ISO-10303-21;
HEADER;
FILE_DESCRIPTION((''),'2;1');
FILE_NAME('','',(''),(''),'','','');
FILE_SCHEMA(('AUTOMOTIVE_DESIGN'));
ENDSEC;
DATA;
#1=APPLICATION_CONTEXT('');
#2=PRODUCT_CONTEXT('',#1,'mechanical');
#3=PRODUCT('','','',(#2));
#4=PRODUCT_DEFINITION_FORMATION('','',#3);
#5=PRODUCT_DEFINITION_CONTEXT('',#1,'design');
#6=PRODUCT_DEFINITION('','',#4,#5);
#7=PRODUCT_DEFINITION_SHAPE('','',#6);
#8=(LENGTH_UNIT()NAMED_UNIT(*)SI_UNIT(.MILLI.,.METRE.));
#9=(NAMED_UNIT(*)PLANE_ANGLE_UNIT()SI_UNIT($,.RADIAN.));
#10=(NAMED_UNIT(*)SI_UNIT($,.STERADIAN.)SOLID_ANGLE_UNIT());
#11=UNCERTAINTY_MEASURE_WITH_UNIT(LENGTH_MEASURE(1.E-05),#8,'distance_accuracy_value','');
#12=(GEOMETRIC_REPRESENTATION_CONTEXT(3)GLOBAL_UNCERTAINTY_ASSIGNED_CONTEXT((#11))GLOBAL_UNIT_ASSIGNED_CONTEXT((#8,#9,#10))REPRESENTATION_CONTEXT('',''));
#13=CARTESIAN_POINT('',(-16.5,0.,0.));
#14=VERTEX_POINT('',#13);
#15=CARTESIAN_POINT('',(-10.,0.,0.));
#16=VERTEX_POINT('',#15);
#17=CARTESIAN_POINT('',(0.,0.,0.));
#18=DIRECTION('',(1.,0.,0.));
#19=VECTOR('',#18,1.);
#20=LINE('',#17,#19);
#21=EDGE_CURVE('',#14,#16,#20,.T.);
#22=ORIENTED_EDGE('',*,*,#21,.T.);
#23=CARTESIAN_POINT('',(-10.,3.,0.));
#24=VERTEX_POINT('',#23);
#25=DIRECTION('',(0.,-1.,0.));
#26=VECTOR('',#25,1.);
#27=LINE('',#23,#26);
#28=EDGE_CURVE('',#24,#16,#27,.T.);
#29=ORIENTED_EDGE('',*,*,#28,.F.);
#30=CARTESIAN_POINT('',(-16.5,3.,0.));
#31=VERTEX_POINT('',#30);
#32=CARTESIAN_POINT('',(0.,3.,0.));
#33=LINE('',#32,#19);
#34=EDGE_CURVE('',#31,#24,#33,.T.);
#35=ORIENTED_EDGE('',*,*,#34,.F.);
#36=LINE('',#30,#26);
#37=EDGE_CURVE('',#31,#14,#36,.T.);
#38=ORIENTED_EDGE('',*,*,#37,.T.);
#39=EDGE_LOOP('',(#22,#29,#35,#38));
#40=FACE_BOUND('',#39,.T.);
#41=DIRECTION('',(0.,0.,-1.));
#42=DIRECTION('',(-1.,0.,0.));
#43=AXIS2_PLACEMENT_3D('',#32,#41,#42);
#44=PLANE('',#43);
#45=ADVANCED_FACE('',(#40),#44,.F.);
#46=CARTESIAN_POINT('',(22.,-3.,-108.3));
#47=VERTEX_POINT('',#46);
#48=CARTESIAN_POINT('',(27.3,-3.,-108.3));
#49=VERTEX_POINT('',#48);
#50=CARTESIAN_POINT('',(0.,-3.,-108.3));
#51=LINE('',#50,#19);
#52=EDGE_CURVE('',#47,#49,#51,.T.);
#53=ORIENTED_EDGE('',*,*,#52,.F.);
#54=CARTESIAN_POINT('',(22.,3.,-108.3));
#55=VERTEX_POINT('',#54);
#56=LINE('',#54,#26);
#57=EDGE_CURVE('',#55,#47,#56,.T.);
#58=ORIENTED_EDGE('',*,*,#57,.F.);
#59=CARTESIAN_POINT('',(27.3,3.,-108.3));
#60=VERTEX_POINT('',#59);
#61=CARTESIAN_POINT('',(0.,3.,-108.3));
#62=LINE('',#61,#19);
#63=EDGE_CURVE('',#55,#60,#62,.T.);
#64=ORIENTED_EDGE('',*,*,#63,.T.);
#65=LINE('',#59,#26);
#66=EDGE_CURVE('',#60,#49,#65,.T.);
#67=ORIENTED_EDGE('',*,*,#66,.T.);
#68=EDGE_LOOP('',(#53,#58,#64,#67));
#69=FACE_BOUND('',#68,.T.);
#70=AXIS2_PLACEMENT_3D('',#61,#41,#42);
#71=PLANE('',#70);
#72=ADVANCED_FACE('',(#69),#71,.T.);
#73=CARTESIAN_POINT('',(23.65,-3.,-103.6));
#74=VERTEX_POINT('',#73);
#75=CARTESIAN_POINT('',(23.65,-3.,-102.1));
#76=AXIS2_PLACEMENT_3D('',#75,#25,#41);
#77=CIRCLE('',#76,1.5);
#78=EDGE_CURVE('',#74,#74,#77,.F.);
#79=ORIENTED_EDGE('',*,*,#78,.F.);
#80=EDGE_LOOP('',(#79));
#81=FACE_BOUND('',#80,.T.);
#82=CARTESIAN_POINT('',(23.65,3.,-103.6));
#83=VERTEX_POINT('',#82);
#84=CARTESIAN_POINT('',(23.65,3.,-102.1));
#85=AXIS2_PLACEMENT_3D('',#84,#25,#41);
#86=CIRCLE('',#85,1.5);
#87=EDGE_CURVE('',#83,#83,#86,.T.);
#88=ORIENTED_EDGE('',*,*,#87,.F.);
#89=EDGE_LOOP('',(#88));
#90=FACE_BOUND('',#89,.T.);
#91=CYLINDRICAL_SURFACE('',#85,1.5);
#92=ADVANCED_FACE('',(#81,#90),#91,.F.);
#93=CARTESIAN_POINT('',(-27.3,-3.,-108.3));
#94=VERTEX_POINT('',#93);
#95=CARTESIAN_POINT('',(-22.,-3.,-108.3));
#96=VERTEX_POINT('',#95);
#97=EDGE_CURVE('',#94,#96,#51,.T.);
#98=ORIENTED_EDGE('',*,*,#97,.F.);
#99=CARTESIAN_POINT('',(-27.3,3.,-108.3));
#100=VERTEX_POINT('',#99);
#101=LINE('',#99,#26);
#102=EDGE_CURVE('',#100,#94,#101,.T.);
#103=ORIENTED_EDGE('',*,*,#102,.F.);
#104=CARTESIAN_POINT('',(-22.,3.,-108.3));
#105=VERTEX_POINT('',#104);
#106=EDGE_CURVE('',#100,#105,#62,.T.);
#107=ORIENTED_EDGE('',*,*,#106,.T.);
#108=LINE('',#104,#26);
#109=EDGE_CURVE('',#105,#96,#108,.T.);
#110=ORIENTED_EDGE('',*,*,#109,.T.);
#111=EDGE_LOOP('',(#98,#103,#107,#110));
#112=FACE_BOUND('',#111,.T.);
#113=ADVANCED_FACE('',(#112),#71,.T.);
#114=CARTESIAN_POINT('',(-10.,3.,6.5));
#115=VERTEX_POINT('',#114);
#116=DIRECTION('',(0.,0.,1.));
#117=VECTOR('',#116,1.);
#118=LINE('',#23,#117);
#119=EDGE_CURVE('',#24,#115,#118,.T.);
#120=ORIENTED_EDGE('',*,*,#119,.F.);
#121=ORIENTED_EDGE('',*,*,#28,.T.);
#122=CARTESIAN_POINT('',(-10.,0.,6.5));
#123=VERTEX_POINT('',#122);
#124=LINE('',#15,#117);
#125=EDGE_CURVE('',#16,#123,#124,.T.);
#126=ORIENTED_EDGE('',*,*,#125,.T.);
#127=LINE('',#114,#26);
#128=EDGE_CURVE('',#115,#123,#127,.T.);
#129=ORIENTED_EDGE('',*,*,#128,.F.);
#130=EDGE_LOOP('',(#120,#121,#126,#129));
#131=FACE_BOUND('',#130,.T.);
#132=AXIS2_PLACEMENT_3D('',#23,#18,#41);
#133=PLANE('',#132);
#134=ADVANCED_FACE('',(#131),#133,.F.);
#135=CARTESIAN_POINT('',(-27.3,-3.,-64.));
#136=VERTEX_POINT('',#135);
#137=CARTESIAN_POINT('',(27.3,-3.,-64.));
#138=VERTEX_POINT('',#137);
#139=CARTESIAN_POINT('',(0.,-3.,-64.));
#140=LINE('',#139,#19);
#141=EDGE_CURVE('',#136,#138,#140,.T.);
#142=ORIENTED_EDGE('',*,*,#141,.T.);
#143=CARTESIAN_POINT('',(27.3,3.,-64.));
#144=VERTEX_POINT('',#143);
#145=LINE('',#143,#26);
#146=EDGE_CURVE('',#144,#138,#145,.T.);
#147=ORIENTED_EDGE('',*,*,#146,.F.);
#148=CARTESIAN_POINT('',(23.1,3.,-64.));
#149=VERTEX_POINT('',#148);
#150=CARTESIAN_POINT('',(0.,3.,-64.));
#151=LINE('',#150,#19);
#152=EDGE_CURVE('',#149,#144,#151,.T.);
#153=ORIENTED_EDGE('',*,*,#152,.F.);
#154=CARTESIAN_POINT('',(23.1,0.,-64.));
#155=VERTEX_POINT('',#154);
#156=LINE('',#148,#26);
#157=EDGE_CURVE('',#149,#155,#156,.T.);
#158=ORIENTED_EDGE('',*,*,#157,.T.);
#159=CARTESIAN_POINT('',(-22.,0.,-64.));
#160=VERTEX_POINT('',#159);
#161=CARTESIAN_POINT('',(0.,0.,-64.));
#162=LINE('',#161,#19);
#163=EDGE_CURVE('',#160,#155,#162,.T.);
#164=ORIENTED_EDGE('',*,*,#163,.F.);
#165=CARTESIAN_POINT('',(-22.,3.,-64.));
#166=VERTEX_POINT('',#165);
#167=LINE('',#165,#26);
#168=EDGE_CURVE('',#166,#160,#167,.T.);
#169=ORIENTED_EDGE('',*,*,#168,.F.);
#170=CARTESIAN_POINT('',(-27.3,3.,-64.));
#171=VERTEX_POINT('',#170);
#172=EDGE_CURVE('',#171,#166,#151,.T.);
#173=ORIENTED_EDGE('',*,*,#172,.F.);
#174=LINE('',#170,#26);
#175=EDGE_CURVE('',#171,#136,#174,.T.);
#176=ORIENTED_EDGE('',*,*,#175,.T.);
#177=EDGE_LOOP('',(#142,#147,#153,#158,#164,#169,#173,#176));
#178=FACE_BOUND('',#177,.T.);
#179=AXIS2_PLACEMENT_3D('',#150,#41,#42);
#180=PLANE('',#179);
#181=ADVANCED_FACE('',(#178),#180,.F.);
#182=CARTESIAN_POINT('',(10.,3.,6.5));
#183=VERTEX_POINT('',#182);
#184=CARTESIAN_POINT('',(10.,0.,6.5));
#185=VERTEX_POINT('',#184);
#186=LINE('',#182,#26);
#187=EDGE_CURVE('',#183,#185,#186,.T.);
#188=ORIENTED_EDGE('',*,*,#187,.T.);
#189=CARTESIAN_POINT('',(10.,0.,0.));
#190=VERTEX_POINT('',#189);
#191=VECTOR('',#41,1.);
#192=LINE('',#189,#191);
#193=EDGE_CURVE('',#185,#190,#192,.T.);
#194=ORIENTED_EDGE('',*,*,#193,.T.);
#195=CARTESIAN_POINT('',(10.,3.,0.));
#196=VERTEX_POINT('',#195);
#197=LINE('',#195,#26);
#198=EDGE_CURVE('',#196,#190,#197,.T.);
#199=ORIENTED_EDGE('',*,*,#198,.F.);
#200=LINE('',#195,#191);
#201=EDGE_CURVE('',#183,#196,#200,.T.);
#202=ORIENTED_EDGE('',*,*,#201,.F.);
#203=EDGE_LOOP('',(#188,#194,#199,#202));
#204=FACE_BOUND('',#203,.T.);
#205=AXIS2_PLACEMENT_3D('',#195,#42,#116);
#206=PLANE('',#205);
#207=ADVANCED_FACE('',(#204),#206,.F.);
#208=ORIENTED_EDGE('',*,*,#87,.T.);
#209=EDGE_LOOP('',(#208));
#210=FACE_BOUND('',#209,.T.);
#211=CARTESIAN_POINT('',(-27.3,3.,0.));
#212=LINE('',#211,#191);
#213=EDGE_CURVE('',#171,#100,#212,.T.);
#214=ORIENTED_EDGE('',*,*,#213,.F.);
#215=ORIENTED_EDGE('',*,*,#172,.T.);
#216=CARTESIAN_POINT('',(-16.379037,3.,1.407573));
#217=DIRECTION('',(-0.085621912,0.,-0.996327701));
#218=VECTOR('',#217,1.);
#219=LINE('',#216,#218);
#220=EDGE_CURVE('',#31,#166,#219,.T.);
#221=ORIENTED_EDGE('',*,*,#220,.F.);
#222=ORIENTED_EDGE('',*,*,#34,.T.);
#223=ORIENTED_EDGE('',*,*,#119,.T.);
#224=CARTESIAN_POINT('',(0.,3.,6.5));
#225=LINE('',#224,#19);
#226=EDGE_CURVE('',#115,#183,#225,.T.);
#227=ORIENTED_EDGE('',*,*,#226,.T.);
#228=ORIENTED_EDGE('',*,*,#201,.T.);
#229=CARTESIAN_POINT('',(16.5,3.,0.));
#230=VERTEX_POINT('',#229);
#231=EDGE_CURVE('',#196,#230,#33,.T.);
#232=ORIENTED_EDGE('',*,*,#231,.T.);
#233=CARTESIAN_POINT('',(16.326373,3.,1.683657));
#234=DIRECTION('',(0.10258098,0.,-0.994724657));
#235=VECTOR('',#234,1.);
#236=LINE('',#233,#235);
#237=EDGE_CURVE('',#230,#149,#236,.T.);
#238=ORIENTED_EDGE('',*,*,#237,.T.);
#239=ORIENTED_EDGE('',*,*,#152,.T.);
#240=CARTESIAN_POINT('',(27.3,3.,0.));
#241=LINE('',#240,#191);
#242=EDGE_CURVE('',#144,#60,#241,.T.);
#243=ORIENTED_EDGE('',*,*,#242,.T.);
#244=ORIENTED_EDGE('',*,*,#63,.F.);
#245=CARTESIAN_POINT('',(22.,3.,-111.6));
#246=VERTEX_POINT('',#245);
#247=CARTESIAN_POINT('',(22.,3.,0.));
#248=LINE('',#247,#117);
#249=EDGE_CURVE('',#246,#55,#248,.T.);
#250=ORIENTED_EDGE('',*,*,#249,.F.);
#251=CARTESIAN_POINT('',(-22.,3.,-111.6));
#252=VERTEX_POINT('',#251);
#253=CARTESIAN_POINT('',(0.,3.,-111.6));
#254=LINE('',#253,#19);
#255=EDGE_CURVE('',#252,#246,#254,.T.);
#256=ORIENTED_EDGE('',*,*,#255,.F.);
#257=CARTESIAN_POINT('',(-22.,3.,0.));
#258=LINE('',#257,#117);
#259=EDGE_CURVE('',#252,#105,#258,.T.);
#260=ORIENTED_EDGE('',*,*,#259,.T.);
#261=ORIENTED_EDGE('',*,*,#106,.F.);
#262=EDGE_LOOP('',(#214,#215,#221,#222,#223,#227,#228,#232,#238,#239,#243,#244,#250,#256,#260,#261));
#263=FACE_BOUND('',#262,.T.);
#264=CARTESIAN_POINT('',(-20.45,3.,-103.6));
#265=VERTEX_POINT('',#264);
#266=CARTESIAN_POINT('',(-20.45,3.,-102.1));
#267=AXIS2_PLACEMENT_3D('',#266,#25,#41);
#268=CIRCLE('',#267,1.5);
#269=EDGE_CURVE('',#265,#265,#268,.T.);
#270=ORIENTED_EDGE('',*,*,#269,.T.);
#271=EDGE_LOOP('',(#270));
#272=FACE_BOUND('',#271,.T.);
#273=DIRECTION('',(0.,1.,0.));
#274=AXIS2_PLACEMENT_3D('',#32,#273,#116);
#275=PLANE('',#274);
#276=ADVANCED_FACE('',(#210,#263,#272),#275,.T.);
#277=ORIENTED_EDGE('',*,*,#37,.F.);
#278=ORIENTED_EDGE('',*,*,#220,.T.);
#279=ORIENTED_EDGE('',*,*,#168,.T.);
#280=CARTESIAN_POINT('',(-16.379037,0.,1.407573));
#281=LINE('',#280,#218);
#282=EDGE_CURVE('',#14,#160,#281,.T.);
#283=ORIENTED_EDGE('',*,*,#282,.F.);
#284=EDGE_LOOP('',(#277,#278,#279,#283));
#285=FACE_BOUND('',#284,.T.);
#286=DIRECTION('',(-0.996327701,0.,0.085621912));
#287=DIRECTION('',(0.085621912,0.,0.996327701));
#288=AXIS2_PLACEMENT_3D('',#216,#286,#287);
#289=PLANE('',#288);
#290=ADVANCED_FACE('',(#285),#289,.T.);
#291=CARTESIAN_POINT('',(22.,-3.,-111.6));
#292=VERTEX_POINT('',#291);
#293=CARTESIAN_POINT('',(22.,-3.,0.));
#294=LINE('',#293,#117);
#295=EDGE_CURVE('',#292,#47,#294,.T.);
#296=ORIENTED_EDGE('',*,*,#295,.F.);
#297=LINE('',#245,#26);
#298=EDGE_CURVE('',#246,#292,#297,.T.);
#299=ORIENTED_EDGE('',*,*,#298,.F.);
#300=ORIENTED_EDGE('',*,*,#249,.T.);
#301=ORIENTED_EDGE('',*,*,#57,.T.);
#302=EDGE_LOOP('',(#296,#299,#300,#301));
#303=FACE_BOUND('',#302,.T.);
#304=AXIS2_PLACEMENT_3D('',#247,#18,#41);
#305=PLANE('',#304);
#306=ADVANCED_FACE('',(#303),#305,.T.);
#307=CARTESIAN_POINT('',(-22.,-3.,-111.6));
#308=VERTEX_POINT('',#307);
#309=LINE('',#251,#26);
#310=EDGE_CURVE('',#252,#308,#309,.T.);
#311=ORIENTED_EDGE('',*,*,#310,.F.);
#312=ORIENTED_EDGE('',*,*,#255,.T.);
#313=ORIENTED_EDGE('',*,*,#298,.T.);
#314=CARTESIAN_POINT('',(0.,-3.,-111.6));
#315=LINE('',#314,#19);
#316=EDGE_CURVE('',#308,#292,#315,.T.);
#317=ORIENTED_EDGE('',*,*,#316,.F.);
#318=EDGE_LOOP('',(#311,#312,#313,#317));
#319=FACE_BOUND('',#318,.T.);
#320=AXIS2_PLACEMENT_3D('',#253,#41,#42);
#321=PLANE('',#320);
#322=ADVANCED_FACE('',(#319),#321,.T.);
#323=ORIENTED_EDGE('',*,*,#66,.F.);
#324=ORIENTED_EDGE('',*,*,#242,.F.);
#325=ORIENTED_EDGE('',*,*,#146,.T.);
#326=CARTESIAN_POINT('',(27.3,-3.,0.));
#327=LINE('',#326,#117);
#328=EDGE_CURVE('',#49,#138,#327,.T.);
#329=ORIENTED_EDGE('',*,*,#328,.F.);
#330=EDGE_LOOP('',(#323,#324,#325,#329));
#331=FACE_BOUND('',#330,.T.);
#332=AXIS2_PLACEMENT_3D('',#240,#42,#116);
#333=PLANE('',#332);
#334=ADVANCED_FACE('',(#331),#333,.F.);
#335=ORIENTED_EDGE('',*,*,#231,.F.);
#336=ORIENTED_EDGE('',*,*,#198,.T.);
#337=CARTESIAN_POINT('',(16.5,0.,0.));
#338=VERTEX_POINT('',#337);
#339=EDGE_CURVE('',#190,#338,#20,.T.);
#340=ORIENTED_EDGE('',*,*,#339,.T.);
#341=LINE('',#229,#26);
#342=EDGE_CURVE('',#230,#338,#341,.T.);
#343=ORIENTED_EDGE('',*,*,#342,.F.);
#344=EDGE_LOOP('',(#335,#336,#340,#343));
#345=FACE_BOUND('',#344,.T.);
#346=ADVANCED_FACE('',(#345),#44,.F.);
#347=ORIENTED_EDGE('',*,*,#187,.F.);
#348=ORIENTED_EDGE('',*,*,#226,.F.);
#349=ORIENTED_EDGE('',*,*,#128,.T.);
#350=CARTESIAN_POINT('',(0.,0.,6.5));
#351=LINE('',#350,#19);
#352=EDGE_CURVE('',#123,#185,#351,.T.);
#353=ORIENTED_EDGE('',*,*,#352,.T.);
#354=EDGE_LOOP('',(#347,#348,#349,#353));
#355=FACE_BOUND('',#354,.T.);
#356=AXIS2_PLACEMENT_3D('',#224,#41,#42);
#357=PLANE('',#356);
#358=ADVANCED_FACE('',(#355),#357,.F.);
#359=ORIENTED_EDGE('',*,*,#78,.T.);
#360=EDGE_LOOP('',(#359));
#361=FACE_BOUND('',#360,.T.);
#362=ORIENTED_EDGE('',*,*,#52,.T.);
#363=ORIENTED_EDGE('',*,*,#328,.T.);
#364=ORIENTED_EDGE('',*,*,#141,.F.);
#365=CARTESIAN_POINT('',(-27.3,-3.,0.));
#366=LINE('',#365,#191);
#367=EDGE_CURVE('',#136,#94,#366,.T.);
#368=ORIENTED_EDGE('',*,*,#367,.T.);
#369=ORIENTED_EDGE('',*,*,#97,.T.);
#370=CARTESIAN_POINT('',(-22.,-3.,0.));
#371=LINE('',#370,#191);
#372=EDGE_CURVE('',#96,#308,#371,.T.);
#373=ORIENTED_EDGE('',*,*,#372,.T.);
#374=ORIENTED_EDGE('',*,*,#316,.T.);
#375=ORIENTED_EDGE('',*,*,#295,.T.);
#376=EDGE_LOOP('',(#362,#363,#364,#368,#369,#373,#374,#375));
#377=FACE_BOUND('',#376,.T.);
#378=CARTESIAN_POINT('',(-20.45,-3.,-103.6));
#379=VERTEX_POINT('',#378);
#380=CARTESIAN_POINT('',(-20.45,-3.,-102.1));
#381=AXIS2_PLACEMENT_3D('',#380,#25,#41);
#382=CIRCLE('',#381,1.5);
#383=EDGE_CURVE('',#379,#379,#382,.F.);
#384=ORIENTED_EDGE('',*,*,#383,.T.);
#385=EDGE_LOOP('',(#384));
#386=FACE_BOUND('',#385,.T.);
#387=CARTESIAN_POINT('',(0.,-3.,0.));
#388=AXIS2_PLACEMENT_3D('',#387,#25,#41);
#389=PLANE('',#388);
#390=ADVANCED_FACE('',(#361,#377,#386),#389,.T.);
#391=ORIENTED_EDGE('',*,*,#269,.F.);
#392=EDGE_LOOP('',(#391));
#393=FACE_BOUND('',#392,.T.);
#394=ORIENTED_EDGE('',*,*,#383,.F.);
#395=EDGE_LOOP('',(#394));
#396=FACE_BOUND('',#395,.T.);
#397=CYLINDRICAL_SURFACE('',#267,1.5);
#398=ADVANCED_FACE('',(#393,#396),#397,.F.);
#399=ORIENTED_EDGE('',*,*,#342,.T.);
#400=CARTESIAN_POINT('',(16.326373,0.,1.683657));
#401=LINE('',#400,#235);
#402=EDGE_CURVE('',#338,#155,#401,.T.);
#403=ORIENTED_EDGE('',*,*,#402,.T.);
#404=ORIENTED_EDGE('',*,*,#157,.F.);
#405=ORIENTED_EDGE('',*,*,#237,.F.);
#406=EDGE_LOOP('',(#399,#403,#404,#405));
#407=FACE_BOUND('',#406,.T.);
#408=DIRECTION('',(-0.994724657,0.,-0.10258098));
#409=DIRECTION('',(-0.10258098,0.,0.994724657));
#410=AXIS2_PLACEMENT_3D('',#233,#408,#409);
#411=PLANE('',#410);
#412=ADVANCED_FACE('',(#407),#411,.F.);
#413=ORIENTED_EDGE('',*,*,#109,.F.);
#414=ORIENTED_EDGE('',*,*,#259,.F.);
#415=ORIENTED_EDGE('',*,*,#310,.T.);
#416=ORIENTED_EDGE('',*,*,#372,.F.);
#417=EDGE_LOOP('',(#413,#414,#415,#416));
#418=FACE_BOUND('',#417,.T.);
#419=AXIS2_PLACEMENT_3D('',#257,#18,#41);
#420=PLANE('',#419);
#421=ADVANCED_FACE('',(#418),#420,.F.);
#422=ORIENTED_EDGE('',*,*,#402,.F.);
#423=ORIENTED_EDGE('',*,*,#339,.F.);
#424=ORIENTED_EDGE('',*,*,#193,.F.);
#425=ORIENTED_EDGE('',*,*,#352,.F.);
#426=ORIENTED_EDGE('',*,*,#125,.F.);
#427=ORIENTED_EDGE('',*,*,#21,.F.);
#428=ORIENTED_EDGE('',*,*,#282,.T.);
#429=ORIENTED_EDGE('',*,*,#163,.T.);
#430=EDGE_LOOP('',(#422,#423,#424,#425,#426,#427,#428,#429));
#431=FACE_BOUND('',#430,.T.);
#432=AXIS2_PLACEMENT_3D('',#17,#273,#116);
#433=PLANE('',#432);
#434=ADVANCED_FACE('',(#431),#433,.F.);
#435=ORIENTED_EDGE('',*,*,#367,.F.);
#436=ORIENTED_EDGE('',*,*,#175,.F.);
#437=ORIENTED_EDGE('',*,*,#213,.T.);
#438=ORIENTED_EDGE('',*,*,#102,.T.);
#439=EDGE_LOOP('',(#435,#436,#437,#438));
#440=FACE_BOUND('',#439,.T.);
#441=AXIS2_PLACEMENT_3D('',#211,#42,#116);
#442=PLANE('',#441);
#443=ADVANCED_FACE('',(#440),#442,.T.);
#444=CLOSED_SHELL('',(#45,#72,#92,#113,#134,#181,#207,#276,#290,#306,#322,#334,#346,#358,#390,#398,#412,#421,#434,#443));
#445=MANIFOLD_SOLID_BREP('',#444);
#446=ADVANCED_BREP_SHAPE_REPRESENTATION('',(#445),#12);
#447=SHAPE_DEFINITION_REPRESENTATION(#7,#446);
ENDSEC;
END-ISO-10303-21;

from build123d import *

# Parameters (mm, degrees)
BOSS_EXTRUDE1_DEPTH = 3
SKETCH2_R           = 1.5
CUT_EXTRUDE1_DEPTH  = 3
BOSS_EXTRUDE2_START = 3
SKETCH3_R           = 1.5
BOSS_EXTRUDE2_DEPTH = 3


with BuildPart() as part:
    # Sketch1 → Boss-Extrude1 (new body)
    with BuildSketch(Plane(origin=(0, 0, 0), x_dir=(1, 0, 0), z_dir=(0, 1, 0))):
        Polygon((-22, 64), (-16.5, 0), (-10, 0), (-10, -6.5), (10, -6.5), (10, 0), (16.5, 0), (23.1, 64), (27.3, 64), (27.3, 108.3), (22, 108.3), (22, 111.6), (-22, 111.6), (-22, 108.3), (-27.3, 108.3), (-27.3, 64), align=None)
    extrude(amount=BOSS_EXTRUDE1_DEPTH)

    # Sketch2 → Cut-Extrude1 (cut)
    with BuildSketch(Plane.XZ):
        with Locations(Location((23.65, -102.1, 0), (0, 0, 270))):
            Circle(SKETCH2_R)
        with Locations(Location((-20.45, -102.1, 0), (0, 0, 270))):
            Circle(SKETCH2_R)
    extrude(amount=-CUT_EXTRUDE1_DEPTH, mode=Mode.SUBTRACT)

    # Sketch3 → Boss-Extrude2 (add)
    with BuildSketch(Plane.XZ.offset(BOSS_EXTRUDE2_START)):
        Polygon((-22, -64), (23.1, -64), (27.3, -64), (27.3, -108.3), (22, -108.3), (22, -111.6), (-22, -111.6), (-22, -108.3), (-27.3, -108.3), (-27.3, -64), align=None)
        with Locations(Location((-20.45, -102.1, 0), (0, 0, 270))):
            Circle(SKETCH3_R, mode=Mode.SUBTRACT)
        with Locations(Location((23.65, -102.1, 0), (0, 0, 270))):
            Circle(SKETCH3_R, mode=Mode.SUBTRACT)
    extrude(amount=-BOSS_EXTRUDE2_DEPTH)


solid = part.part
